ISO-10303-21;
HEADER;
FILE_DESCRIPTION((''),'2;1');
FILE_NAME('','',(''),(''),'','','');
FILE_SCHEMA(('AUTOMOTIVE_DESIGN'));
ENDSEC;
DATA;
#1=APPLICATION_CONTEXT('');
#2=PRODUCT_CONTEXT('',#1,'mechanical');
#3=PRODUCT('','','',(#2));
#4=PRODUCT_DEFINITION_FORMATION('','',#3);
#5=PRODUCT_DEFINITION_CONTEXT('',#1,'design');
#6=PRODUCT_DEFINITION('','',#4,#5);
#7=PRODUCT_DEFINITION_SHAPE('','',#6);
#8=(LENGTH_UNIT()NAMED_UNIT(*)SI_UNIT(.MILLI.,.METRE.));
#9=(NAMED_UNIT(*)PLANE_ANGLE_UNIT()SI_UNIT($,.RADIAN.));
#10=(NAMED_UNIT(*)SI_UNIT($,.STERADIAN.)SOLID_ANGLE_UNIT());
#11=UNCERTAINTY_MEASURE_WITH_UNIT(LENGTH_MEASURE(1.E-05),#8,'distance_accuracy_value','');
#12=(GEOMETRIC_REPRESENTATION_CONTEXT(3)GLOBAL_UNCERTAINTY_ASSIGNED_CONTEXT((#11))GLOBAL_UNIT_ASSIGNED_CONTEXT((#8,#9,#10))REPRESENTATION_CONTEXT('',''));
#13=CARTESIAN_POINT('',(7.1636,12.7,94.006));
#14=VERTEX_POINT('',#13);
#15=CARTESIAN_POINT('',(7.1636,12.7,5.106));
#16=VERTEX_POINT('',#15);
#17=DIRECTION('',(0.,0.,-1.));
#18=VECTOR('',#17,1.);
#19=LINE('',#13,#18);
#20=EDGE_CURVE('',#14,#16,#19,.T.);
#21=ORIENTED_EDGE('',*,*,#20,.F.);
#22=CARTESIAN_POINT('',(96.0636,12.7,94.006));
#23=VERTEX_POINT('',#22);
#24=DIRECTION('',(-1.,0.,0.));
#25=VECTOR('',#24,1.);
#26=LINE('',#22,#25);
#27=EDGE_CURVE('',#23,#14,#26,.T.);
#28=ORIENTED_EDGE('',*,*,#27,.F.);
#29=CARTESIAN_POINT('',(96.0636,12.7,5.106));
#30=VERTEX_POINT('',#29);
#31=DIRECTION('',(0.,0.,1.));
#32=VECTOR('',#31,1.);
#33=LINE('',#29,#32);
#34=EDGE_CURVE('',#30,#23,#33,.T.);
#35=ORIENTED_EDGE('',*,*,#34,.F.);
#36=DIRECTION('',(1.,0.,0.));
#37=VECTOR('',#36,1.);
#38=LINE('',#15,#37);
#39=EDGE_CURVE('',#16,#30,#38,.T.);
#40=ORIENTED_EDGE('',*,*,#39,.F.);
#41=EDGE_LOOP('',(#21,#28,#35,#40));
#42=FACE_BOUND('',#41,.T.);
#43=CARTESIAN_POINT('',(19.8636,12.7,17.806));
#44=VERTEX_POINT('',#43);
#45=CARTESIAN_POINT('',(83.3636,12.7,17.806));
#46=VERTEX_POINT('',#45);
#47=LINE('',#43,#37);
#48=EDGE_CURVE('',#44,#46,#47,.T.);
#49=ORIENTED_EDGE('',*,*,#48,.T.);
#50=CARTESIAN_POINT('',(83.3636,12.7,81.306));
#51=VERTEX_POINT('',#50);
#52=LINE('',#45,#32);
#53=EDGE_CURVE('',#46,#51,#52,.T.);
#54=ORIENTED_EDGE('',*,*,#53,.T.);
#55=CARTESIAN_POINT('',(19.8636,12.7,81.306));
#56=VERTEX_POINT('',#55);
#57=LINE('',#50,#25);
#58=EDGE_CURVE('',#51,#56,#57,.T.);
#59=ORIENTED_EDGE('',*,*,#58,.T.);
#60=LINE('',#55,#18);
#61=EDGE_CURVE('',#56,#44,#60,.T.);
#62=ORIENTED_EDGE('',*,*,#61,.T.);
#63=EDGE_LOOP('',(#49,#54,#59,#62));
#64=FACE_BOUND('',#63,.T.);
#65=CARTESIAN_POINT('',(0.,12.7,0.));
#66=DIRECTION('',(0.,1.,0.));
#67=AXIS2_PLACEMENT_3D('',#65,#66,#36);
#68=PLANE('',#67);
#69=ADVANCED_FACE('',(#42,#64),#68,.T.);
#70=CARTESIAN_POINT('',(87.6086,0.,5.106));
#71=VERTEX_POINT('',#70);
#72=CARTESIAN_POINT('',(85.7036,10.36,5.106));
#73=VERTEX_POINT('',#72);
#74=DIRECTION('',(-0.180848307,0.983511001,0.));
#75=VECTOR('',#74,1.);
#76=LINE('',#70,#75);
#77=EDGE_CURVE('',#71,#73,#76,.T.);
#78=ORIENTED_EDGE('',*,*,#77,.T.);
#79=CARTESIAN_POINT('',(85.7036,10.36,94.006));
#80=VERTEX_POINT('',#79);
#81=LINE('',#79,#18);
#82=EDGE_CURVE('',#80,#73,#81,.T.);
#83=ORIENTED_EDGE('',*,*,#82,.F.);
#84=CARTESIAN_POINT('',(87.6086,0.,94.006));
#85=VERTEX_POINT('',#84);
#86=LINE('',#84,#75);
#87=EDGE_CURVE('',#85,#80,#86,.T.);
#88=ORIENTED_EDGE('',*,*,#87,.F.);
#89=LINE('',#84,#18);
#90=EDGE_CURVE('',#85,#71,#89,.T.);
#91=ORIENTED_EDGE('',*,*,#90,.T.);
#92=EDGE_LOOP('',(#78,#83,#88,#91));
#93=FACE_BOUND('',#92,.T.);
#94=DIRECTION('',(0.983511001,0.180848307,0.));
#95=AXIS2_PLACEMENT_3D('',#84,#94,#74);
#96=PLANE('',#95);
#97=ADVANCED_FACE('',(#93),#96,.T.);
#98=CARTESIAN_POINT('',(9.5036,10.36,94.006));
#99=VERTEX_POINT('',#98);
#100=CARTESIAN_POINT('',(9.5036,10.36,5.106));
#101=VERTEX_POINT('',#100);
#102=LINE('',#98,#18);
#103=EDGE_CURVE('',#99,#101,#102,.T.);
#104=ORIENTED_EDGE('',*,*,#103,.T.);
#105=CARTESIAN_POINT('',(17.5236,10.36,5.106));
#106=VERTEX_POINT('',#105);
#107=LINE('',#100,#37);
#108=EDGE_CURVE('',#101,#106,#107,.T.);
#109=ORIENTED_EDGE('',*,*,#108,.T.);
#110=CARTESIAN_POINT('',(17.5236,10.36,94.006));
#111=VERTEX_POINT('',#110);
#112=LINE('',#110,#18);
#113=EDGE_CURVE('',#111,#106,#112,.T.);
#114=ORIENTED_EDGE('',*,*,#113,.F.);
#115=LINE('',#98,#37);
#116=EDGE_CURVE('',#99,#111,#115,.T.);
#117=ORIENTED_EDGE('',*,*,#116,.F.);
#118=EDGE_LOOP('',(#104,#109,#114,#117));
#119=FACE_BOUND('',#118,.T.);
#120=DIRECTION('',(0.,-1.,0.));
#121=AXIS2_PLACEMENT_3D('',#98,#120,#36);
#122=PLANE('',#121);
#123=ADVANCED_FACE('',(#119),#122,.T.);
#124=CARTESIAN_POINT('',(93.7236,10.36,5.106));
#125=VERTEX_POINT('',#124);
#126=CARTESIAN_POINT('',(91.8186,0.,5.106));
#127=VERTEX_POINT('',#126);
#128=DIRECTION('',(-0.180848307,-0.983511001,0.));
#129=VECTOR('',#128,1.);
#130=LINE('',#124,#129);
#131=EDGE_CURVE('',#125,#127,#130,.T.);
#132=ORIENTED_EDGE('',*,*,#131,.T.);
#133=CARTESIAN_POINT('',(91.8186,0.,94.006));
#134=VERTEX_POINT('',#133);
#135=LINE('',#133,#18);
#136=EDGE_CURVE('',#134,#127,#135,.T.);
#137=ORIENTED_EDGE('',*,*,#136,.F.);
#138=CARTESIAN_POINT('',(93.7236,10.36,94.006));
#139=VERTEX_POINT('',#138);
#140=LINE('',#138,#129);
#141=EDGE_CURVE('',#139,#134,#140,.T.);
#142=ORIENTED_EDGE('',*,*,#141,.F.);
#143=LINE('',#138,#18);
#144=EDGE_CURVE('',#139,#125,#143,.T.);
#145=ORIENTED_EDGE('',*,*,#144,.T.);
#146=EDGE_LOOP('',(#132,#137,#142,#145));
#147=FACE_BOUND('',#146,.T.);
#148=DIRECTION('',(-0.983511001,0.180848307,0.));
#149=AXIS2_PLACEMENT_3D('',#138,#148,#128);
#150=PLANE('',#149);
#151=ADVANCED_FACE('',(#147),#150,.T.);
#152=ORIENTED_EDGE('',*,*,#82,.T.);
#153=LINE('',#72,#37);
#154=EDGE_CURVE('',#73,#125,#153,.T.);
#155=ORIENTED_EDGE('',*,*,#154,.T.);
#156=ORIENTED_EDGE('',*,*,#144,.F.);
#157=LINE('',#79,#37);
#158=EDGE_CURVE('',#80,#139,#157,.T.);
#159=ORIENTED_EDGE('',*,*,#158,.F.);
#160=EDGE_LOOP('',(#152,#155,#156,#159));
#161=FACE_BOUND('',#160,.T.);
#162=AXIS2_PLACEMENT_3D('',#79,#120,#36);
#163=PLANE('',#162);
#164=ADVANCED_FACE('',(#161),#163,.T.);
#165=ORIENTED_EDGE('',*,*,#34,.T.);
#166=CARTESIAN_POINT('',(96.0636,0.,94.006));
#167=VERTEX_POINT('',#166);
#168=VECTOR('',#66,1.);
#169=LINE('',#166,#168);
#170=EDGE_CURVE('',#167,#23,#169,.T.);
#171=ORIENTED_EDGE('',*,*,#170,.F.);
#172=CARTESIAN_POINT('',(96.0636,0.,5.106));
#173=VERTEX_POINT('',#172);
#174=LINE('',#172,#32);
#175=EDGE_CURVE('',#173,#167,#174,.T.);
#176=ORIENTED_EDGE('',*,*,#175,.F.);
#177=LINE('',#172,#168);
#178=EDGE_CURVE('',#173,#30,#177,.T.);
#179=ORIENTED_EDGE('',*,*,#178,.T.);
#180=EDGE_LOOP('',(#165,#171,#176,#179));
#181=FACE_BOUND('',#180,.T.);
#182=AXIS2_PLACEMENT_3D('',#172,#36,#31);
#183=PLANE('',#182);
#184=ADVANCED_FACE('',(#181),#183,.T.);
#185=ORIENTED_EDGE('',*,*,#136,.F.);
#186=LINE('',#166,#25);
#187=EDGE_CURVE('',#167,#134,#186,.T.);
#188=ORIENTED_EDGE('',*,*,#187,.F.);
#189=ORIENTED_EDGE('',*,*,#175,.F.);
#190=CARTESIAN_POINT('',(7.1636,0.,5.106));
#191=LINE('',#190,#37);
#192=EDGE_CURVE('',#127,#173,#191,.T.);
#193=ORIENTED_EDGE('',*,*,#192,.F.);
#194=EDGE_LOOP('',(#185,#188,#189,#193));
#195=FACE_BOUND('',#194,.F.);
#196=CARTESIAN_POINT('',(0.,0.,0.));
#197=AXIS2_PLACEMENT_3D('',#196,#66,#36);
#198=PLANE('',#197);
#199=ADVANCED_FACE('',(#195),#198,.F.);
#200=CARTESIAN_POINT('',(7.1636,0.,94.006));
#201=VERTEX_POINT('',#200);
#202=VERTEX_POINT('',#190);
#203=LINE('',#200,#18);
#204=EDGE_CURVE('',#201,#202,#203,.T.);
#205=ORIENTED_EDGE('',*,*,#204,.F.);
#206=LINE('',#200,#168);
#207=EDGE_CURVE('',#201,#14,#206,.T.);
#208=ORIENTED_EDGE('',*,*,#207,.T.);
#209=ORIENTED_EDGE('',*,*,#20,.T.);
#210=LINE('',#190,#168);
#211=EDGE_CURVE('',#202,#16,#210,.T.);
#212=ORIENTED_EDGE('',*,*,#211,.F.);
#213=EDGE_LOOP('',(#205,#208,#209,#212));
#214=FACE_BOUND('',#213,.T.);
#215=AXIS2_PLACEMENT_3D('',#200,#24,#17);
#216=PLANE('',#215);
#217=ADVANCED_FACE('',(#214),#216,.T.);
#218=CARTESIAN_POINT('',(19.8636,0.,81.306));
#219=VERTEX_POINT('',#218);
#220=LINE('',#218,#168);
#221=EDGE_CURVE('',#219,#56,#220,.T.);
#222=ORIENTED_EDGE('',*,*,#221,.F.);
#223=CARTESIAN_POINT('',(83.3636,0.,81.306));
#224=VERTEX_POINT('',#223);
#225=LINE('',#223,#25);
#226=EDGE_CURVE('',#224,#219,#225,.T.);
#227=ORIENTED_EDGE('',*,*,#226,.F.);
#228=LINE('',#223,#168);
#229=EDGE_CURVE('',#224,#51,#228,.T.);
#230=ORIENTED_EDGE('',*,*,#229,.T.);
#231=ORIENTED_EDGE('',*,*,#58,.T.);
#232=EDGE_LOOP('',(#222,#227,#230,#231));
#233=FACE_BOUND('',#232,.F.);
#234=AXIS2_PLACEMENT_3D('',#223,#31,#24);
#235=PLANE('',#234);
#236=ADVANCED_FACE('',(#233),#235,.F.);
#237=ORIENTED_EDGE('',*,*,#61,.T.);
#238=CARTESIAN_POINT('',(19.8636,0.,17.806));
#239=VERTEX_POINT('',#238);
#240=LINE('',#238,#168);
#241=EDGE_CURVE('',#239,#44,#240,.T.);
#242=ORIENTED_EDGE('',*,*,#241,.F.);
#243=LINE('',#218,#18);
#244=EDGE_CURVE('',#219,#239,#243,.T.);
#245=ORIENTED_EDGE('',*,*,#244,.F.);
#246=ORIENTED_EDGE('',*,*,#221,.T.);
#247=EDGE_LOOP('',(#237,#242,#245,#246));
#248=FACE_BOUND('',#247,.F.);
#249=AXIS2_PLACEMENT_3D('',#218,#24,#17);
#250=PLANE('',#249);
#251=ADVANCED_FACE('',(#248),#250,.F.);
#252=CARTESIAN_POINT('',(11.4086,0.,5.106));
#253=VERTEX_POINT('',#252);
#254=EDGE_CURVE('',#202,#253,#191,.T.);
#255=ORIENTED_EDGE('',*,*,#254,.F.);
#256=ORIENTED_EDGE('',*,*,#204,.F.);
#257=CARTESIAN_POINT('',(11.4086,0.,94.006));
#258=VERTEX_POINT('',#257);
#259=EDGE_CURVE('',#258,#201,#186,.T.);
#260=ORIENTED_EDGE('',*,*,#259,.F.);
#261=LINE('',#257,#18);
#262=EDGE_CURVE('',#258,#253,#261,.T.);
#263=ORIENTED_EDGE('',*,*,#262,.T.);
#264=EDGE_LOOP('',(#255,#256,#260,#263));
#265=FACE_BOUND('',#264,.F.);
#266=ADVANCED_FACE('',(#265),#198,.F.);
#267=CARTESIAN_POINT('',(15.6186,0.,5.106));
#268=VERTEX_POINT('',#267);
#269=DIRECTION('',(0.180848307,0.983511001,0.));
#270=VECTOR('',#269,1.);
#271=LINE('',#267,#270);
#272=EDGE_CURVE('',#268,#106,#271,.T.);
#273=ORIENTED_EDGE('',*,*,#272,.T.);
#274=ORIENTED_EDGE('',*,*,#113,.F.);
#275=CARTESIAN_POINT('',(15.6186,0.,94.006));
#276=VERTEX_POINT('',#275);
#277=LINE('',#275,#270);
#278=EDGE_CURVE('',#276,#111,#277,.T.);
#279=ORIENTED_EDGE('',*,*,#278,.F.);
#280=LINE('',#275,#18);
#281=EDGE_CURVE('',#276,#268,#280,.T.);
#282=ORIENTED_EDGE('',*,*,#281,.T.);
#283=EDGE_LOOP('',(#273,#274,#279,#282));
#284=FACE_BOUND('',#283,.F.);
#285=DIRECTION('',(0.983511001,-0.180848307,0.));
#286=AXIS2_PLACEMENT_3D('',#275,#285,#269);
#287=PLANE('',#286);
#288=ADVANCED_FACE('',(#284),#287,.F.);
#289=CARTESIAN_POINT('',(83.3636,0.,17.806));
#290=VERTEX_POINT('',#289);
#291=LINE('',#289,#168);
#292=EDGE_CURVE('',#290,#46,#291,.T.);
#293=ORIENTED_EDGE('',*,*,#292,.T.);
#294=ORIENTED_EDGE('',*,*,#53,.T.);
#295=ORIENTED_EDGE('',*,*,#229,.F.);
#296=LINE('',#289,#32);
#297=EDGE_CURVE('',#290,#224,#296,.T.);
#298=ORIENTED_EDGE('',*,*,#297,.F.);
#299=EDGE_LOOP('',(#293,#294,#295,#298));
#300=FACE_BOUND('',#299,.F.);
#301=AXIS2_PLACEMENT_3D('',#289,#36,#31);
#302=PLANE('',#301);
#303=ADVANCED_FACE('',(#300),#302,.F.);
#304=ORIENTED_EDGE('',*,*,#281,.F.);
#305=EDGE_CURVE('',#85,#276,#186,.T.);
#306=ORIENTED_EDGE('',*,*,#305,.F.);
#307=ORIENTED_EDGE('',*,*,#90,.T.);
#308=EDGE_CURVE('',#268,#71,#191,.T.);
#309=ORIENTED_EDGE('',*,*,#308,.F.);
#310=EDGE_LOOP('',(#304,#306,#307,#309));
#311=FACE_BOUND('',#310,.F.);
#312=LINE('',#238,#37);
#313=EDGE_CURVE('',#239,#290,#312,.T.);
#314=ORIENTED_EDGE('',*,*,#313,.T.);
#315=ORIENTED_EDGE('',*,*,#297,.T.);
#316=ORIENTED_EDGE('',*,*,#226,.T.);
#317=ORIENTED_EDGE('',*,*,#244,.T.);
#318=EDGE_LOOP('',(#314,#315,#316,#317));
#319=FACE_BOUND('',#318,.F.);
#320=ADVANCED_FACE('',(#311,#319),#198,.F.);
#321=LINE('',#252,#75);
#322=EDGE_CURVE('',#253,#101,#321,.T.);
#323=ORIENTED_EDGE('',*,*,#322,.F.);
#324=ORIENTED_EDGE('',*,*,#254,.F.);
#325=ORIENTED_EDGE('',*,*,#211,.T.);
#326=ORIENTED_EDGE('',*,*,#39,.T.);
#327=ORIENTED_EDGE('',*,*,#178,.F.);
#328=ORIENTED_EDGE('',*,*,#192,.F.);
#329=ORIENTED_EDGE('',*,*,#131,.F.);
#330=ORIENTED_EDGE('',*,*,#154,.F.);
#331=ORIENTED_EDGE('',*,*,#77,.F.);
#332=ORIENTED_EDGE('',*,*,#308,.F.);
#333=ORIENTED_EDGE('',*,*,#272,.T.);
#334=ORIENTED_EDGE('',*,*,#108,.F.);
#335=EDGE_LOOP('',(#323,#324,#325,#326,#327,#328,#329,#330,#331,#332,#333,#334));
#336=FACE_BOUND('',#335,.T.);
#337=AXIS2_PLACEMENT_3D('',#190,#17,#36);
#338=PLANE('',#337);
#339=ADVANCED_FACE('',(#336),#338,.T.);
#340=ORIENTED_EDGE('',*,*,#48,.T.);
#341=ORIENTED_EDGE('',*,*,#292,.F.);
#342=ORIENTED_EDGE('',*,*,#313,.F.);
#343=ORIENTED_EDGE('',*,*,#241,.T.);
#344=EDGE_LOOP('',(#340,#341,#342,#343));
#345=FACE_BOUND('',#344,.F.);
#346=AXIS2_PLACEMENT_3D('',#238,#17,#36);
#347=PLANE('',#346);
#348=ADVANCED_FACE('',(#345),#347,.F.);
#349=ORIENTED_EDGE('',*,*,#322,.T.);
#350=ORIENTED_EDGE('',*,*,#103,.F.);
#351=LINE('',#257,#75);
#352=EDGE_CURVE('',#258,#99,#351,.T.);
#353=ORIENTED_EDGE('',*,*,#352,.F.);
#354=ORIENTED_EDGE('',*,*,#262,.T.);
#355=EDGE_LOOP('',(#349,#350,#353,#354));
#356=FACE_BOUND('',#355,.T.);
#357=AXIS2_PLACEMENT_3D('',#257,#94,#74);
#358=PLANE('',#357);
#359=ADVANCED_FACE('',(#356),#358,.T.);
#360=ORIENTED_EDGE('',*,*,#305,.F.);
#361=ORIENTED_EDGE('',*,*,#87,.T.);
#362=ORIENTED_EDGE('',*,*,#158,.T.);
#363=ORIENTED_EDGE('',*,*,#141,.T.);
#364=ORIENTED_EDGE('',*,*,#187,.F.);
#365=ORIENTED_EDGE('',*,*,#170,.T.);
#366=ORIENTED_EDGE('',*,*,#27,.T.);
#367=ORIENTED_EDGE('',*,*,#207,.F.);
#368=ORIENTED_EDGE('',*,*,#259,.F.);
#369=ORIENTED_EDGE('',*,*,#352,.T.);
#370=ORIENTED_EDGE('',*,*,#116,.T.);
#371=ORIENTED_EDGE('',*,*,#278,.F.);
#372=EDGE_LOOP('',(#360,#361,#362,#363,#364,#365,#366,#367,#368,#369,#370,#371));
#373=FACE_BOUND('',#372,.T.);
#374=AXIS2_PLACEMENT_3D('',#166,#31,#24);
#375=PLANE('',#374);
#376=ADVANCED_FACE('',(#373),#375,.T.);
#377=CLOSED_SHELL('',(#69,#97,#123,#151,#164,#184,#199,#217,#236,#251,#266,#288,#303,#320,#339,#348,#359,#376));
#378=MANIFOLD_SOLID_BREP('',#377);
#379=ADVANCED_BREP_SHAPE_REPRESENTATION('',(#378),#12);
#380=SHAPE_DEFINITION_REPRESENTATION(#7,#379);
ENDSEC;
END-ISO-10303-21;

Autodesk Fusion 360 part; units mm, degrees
sketch "Sketch1" plane through (0, 0, 0) normal (0, 1, 0) x (1, 0, 0)
  line L0 (7.1636, -5.106) -> (96.0636, -5.106)
  line L1 (96.0636, -5.106) -> (96.0636, -94.006)
  line L2 (96.0636, -94.006) -> (7.1636, -94.006)
  line L3 (7.1636, -94.006) -> (7.1636, -5.106)
  line L4 (19.8636, -17.806) -> (83.3636, -17.806)
  line L5 (83.3636, -17.806) -> (83.3636, -81.306)
  line L6 (83.3636, -81.306) -> (19.8636, -81.306)
  line L7 (19.8636, -81.306) -> (19.8636, -17.806)
  dimension "d1" = 88.9
  dimension "d2" = 88.9
  dimension "d3" = 12.7
  dimension "d4" = 12.7
  dimension "d5" = 12.7
  dimension "d6" = 12.7
extrude "Extrude1" add sketch "Sketch1" along normal blind 12.7
sketch "Sketch2" plane through (0, 0, 94.006) normal (0, 0, 1) x (1, 0, 0)
  line L0 (7.1636, 0) -> (96.0636, 0)
  line L1 (96.0636, 0) -> (96.0636, 12.7)
  line L2 (96.0636, 12.7) -> (7.1636, 12.7)
  line L3 (7.1636, 12.7) -> (7.1636, 0)
  line L4 (7.1636, 0) -> (11.4086, 0)
  line L5 (7.1636, 12.7) -> (9.5036, 12.7)
  line L6 (9.5036, 12.7) -> (9.5036, 10.36) construction
  line L7 (7.1636, 0) -> (19.8636, 0)
  line L8 (19.8636, 0) -> (15.6186, 0)
  line L9 (19.8636, 0) -> (19.8636, 12.7) construction
  line L10 (19.8636, 12.7) -> (19.8636, 10.36) construction
  line L11 (19.8636, 10.36) -> (17.5236, 10.36) construction
  line L12 (11.4086, 0) -> (9.5036, 10.36)
  line L13 (9.5036, 10.36) -> (17.5236, 10.36)
  line L14 (15.6186, 0) -> (17.5236, 10.36)
  line L15 (96.0636, 0) -> (83.3636, 0) construction
  line L16 (83.3636, 0) -> (83.3636, 12.7) construction
  line L17 (83.3636, 0) -> (87.6086, 0)
  line L18 (96.0636, 0) -> (91.8186, 0)
  line L19 (83.3636, 12.7) -> (85.7036, 12.7)
  line L20 (85.7036, 12.7) -> (85.7036, 10.36) construction
  line L21 (96.0636, 12.7) -> (93.7236, 12.7)
  line L22 (93.7236, 12.7) -> (93.7236, 10.36) construction
  line L23 (87.6086, 0) -> (85.7036, 10.36)
  line L24 (85.7036, 10.36) -> (93.7236, 10.36)
  line L25 (93.7236, 10.36) -> (91.8186, 0)
  dimension "d9" = 4.245
  dimension "d10" = 2.34
  dimension "d11" = 2.34
  dimension "d12" = 12.7
  dimension "d13" = 4.245
  dimension "d14" = 2.34
  dimension "d15" = 2.34
  dimension "d16" = 12.7
  dimension "d17" = 12.7
  dimension "d18" = 4.245
  dimension "d19" = 4.245
  dimension "d20" = 2.34
  dimension "d21" = 2.34
  dimension "d22" = 2.34
  dimension "d23" = 2.34
extrude "Extrude2" cut sketch "Sketch2" against normal blind 88.9 contours L0 L7 L12 L13 L14 | L0 L23 L24 L25
equation "d11 = 0.1 in - 0.2 mm"
equation "d13 = 0.175 in - 0.2 mm"
